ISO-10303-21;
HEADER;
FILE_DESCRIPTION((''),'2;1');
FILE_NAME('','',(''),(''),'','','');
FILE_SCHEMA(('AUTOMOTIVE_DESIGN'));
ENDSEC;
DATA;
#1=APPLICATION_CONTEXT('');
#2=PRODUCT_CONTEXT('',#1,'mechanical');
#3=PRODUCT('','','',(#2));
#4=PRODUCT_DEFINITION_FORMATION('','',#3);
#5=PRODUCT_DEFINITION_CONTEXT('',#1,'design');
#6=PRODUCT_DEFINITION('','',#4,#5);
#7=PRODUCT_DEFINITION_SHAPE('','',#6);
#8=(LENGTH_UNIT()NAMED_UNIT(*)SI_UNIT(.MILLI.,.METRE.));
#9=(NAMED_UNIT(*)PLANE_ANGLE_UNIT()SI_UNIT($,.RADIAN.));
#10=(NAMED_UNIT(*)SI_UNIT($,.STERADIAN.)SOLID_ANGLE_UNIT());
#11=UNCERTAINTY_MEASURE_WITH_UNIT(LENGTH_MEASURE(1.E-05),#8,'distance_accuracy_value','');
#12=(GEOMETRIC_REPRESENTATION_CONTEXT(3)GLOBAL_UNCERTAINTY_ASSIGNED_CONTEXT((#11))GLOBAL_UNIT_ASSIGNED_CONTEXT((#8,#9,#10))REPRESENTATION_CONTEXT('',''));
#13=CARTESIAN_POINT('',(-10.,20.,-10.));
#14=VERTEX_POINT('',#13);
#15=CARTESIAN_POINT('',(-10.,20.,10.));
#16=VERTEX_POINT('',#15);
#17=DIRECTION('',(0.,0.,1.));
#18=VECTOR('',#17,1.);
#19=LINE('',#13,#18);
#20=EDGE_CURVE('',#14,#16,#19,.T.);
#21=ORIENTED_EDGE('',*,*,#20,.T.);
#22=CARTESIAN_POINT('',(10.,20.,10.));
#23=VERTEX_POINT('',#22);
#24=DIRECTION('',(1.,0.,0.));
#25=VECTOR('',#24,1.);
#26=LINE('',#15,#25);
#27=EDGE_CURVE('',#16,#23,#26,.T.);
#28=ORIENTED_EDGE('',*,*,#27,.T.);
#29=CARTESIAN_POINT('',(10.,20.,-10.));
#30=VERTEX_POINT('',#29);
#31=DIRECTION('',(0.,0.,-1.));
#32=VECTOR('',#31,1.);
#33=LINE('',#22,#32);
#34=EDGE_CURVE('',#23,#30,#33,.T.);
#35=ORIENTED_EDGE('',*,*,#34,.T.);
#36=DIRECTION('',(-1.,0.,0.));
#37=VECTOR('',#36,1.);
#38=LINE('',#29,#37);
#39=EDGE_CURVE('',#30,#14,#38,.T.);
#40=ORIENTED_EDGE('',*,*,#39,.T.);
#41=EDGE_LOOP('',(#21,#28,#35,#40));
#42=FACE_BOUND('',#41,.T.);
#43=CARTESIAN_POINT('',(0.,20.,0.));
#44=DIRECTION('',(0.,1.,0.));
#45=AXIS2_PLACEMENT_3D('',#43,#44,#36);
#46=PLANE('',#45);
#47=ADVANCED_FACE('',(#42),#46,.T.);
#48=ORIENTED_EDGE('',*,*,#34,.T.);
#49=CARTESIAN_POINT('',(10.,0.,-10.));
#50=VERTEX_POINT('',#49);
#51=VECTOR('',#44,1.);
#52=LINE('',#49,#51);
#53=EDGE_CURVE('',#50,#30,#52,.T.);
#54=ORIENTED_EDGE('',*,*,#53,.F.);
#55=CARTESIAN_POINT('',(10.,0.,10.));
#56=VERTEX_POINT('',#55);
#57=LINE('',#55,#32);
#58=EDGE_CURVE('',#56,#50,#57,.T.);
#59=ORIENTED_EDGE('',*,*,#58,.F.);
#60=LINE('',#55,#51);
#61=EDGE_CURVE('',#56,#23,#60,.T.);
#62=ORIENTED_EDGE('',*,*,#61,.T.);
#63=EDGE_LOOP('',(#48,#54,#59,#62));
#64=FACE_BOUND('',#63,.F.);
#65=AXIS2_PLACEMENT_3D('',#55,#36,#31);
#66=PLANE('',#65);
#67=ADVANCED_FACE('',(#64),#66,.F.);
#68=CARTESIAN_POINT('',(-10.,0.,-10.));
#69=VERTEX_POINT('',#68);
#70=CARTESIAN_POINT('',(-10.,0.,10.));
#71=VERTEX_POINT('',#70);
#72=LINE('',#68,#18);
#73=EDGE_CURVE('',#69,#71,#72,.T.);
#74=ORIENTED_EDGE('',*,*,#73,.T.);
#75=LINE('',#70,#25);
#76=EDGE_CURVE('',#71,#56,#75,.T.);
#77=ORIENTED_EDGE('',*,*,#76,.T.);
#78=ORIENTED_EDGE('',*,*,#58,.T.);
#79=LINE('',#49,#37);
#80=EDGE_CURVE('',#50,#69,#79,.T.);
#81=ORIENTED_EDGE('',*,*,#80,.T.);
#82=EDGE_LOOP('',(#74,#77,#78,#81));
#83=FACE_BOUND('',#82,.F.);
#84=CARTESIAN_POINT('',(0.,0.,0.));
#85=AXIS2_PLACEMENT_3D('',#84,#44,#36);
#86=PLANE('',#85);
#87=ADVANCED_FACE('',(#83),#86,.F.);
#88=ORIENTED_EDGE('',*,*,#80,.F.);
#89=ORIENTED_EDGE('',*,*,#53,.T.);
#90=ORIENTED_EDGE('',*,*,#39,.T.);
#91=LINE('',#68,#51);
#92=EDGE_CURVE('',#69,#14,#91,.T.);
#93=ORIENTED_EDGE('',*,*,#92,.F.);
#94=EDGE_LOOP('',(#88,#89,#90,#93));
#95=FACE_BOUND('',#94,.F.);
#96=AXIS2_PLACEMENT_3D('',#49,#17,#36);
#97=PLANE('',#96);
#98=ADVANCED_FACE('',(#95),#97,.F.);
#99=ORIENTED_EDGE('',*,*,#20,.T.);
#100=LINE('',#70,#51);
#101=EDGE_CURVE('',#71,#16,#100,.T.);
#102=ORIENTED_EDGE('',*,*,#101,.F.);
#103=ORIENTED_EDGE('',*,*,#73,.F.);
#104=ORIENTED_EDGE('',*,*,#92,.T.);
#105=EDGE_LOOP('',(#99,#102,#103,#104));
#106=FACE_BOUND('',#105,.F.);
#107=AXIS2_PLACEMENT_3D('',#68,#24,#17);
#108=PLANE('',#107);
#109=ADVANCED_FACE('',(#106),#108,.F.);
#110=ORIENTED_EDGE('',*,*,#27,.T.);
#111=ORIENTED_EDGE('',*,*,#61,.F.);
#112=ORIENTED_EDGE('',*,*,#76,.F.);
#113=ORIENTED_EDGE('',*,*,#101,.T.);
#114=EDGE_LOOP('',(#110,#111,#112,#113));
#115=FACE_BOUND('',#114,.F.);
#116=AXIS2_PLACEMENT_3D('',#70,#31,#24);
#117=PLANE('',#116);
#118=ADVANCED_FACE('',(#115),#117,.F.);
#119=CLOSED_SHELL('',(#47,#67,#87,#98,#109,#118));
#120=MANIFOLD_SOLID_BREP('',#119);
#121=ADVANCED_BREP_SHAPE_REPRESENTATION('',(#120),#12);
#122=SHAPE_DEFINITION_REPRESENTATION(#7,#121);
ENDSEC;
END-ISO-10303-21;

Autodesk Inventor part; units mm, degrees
ref_plane "YZ Plane" through (0, 0, 0) normal (1, 0, 0) x (0, 1, 0)
ref_plane "XZ Plane" through (0, 0, 0) normal (0, 1, 0) x (-1, 0, 0)
ref_plane "XY Plane" through (0, 0, 0) normal (0, 0, 1) x (1, 0, 0)
sketch "Sketch1" plane through (0, 0, 0) normal (0, 1, 0) x (-1, 0, 0)
  line L0 (10, 10) -> (-10, 10)
  line L1 (-10, 10) -> (-10, -10)
  line L2 (-10, -10) -> (10, -10)
  line L3 (10, -10) -> (10, 10)
  point P0 (0, 0)
  dimension "d0" = 20
  dimension "d1" = 20
  dimension "d2" = 10
  dimension "d3" = 10
extrude "Extrusion1" add sketch "Sketch1" along normal blind 20
properties part number "2020_box"
